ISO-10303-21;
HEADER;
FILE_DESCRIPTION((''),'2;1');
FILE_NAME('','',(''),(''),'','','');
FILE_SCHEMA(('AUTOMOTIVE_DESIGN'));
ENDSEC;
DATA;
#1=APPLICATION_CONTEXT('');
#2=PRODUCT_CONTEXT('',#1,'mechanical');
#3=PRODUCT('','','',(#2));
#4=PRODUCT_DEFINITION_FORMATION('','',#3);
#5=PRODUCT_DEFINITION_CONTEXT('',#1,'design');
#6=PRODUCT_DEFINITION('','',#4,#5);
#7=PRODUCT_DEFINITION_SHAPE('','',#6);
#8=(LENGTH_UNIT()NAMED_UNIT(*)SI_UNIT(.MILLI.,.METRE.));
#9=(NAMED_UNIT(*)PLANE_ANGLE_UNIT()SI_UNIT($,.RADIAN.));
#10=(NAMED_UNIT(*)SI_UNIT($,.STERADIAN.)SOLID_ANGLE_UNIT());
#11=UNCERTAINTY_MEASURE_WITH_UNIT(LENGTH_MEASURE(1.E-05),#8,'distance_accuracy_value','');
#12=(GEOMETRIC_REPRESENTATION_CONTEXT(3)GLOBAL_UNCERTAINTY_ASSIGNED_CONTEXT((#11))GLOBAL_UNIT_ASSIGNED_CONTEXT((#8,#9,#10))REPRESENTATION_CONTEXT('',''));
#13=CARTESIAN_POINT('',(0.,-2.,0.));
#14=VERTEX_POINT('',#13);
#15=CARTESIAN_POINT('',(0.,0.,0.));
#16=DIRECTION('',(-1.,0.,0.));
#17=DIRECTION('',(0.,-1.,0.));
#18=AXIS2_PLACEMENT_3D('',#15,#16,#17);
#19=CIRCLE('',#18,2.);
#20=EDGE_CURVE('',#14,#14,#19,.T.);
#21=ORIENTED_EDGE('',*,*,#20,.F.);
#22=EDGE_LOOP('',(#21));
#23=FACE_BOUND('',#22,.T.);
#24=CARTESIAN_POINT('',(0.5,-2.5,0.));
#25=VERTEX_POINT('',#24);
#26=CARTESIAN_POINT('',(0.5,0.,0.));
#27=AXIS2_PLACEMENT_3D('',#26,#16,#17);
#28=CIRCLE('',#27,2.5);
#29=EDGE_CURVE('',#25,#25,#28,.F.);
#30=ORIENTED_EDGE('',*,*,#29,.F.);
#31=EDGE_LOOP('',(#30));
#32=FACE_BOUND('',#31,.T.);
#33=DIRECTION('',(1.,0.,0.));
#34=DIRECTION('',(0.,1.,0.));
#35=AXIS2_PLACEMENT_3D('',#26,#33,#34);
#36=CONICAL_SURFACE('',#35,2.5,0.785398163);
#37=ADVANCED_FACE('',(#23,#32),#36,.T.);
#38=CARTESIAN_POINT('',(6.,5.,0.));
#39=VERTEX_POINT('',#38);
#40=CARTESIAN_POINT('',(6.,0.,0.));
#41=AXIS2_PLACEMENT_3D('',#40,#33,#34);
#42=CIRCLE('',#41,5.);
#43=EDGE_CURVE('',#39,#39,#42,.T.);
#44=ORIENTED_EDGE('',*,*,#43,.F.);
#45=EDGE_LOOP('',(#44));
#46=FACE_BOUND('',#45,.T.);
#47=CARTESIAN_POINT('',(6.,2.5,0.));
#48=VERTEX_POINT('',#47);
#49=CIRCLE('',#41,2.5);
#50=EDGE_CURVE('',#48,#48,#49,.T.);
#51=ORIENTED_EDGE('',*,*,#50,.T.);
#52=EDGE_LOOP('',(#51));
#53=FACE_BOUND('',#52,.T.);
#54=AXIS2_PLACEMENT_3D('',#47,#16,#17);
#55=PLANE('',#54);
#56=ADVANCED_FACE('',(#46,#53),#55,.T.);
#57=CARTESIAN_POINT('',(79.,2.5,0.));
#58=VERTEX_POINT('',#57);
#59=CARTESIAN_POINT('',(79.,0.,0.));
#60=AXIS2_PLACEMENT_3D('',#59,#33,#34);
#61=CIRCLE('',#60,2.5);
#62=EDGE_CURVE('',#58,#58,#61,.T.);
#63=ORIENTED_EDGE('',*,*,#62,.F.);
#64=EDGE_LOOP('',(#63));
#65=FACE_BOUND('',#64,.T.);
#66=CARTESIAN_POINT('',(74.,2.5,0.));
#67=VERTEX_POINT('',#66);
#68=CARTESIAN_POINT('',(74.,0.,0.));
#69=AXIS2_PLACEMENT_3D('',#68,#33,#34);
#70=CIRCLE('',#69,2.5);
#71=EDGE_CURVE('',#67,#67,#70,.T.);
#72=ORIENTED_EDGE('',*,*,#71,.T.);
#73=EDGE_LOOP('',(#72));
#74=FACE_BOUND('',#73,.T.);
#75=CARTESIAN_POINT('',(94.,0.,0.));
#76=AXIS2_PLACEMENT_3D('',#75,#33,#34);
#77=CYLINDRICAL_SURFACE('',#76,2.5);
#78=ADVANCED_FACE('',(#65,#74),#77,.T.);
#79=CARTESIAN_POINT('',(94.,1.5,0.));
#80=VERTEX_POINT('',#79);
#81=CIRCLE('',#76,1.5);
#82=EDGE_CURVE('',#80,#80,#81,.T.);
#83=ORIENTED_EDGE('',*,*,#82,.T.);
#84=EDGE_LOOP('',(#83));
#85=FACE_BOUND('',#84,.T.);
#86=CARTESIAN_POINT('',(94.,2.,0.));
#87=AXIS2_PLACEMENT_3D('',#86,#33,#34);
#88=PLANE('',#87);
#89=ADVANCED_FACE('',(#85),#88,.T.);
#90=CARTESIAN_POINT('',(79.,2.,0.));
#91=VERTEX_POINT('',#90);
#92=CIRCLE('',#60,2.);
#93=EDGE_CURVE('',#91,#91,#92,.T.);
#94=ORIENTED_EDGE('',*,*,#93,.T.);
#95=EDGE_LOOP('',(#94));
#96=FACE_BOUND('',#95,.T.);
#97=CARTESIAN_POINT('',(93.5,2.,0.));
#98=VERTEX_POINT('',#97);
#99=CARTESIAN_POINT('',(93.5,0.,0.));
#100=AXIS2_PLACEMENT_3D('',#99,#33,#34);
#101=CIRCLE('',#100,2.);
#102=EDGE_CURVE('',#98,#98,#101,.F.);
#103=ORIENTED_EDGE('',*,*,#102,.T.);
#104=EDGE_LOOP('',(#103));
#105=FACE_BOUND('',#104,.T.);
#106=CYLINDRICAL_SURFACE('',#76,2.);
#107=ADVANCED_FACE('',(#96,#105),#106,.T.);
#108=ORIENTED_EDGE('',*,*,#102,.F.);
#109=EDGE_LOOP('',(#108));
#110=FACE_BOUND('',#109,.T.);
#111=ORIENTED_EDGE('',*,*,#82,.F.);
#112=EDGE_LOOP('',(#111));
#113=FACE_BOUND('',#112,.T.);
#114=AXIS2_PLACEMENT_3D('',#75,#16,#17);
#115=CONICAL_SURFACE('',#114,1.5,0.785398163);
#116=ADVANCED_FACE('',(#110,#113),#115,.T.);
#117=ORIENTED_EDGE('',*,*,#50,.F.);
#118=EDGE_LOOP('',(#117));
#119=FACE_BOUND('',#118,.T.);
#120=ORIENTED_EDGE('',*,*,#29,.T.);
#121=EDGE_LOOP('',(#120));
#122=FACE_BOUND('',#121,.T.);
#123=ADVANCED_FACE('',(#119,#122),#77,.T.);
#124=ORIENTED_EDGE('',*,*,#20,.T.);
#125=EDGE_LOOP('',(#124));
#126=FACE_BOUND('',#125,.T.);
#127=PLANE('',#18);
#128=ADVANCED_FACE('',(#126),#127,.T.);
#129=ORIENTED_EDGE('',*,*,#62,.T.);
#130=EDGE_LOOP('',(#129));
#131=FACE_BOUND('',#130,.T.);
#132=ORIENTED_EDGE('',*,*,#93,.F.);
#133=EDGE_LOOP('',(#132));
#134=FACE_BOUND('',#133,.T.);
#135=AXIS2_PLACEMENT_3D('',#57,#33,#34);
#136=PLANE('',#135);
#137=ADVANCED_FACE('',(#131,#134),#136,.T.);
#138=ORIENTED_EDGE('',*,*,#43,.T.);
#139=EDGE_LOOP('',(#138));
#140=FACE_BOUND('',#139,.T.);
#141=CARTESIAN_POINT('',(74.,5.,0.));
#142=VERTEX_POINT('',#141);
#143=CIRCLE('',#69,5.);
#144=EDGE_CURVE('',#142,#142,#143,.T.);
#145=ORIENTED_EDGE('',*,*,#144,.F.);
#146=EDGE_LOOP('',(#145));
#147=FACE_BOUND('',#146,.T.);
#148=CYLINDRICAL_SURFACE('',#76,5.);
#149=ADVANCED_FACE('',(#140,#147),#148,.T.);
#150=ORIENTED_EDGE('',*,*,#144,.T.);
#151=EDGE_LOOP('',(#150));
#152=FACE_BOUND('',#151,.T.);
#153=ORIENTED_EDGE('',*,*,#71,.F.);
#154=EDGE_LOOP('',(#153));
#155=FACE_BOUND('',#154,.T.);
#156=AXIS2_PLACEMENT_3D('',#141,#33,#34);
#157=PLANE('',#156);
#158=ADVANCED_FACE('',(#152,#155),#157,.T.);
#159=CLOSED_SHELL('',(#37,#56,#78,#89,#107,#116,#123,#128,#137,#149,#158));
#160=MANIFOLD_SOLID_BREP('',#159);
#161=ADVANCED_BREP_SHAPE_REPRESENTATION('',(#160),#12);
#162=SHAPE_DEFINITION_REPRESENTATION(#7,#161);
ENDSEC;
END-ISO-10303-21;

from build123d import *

# Parameters (mm, degrees)
CHAMFER1_SIZE = 0.5


with BuildPart() as part:
    # Sketch1 → Revolve1 (revolve)
    with BuildSketch(Plane.XY):
        Polygon((0, 0), (0, 2.5), (6, 2.5), (6, 5), (74, 5), (74, 2.5), (79, 2.5), (79, 2), (94, 2), (94, 0), align=None)
    revolve(axis=Axis((94, 0, 0), (-1, 0, 0)))

    # Chamfer1
    chamfer1_edges = [part.edges().sort_by_distance(p)[0] for p in [
        (0, -2.5, 0),
        (94, -2, 0),
    ]]
    chamfer(chamfer1_edges, length=CHAMFER1_SIZE)


solid = part.part
